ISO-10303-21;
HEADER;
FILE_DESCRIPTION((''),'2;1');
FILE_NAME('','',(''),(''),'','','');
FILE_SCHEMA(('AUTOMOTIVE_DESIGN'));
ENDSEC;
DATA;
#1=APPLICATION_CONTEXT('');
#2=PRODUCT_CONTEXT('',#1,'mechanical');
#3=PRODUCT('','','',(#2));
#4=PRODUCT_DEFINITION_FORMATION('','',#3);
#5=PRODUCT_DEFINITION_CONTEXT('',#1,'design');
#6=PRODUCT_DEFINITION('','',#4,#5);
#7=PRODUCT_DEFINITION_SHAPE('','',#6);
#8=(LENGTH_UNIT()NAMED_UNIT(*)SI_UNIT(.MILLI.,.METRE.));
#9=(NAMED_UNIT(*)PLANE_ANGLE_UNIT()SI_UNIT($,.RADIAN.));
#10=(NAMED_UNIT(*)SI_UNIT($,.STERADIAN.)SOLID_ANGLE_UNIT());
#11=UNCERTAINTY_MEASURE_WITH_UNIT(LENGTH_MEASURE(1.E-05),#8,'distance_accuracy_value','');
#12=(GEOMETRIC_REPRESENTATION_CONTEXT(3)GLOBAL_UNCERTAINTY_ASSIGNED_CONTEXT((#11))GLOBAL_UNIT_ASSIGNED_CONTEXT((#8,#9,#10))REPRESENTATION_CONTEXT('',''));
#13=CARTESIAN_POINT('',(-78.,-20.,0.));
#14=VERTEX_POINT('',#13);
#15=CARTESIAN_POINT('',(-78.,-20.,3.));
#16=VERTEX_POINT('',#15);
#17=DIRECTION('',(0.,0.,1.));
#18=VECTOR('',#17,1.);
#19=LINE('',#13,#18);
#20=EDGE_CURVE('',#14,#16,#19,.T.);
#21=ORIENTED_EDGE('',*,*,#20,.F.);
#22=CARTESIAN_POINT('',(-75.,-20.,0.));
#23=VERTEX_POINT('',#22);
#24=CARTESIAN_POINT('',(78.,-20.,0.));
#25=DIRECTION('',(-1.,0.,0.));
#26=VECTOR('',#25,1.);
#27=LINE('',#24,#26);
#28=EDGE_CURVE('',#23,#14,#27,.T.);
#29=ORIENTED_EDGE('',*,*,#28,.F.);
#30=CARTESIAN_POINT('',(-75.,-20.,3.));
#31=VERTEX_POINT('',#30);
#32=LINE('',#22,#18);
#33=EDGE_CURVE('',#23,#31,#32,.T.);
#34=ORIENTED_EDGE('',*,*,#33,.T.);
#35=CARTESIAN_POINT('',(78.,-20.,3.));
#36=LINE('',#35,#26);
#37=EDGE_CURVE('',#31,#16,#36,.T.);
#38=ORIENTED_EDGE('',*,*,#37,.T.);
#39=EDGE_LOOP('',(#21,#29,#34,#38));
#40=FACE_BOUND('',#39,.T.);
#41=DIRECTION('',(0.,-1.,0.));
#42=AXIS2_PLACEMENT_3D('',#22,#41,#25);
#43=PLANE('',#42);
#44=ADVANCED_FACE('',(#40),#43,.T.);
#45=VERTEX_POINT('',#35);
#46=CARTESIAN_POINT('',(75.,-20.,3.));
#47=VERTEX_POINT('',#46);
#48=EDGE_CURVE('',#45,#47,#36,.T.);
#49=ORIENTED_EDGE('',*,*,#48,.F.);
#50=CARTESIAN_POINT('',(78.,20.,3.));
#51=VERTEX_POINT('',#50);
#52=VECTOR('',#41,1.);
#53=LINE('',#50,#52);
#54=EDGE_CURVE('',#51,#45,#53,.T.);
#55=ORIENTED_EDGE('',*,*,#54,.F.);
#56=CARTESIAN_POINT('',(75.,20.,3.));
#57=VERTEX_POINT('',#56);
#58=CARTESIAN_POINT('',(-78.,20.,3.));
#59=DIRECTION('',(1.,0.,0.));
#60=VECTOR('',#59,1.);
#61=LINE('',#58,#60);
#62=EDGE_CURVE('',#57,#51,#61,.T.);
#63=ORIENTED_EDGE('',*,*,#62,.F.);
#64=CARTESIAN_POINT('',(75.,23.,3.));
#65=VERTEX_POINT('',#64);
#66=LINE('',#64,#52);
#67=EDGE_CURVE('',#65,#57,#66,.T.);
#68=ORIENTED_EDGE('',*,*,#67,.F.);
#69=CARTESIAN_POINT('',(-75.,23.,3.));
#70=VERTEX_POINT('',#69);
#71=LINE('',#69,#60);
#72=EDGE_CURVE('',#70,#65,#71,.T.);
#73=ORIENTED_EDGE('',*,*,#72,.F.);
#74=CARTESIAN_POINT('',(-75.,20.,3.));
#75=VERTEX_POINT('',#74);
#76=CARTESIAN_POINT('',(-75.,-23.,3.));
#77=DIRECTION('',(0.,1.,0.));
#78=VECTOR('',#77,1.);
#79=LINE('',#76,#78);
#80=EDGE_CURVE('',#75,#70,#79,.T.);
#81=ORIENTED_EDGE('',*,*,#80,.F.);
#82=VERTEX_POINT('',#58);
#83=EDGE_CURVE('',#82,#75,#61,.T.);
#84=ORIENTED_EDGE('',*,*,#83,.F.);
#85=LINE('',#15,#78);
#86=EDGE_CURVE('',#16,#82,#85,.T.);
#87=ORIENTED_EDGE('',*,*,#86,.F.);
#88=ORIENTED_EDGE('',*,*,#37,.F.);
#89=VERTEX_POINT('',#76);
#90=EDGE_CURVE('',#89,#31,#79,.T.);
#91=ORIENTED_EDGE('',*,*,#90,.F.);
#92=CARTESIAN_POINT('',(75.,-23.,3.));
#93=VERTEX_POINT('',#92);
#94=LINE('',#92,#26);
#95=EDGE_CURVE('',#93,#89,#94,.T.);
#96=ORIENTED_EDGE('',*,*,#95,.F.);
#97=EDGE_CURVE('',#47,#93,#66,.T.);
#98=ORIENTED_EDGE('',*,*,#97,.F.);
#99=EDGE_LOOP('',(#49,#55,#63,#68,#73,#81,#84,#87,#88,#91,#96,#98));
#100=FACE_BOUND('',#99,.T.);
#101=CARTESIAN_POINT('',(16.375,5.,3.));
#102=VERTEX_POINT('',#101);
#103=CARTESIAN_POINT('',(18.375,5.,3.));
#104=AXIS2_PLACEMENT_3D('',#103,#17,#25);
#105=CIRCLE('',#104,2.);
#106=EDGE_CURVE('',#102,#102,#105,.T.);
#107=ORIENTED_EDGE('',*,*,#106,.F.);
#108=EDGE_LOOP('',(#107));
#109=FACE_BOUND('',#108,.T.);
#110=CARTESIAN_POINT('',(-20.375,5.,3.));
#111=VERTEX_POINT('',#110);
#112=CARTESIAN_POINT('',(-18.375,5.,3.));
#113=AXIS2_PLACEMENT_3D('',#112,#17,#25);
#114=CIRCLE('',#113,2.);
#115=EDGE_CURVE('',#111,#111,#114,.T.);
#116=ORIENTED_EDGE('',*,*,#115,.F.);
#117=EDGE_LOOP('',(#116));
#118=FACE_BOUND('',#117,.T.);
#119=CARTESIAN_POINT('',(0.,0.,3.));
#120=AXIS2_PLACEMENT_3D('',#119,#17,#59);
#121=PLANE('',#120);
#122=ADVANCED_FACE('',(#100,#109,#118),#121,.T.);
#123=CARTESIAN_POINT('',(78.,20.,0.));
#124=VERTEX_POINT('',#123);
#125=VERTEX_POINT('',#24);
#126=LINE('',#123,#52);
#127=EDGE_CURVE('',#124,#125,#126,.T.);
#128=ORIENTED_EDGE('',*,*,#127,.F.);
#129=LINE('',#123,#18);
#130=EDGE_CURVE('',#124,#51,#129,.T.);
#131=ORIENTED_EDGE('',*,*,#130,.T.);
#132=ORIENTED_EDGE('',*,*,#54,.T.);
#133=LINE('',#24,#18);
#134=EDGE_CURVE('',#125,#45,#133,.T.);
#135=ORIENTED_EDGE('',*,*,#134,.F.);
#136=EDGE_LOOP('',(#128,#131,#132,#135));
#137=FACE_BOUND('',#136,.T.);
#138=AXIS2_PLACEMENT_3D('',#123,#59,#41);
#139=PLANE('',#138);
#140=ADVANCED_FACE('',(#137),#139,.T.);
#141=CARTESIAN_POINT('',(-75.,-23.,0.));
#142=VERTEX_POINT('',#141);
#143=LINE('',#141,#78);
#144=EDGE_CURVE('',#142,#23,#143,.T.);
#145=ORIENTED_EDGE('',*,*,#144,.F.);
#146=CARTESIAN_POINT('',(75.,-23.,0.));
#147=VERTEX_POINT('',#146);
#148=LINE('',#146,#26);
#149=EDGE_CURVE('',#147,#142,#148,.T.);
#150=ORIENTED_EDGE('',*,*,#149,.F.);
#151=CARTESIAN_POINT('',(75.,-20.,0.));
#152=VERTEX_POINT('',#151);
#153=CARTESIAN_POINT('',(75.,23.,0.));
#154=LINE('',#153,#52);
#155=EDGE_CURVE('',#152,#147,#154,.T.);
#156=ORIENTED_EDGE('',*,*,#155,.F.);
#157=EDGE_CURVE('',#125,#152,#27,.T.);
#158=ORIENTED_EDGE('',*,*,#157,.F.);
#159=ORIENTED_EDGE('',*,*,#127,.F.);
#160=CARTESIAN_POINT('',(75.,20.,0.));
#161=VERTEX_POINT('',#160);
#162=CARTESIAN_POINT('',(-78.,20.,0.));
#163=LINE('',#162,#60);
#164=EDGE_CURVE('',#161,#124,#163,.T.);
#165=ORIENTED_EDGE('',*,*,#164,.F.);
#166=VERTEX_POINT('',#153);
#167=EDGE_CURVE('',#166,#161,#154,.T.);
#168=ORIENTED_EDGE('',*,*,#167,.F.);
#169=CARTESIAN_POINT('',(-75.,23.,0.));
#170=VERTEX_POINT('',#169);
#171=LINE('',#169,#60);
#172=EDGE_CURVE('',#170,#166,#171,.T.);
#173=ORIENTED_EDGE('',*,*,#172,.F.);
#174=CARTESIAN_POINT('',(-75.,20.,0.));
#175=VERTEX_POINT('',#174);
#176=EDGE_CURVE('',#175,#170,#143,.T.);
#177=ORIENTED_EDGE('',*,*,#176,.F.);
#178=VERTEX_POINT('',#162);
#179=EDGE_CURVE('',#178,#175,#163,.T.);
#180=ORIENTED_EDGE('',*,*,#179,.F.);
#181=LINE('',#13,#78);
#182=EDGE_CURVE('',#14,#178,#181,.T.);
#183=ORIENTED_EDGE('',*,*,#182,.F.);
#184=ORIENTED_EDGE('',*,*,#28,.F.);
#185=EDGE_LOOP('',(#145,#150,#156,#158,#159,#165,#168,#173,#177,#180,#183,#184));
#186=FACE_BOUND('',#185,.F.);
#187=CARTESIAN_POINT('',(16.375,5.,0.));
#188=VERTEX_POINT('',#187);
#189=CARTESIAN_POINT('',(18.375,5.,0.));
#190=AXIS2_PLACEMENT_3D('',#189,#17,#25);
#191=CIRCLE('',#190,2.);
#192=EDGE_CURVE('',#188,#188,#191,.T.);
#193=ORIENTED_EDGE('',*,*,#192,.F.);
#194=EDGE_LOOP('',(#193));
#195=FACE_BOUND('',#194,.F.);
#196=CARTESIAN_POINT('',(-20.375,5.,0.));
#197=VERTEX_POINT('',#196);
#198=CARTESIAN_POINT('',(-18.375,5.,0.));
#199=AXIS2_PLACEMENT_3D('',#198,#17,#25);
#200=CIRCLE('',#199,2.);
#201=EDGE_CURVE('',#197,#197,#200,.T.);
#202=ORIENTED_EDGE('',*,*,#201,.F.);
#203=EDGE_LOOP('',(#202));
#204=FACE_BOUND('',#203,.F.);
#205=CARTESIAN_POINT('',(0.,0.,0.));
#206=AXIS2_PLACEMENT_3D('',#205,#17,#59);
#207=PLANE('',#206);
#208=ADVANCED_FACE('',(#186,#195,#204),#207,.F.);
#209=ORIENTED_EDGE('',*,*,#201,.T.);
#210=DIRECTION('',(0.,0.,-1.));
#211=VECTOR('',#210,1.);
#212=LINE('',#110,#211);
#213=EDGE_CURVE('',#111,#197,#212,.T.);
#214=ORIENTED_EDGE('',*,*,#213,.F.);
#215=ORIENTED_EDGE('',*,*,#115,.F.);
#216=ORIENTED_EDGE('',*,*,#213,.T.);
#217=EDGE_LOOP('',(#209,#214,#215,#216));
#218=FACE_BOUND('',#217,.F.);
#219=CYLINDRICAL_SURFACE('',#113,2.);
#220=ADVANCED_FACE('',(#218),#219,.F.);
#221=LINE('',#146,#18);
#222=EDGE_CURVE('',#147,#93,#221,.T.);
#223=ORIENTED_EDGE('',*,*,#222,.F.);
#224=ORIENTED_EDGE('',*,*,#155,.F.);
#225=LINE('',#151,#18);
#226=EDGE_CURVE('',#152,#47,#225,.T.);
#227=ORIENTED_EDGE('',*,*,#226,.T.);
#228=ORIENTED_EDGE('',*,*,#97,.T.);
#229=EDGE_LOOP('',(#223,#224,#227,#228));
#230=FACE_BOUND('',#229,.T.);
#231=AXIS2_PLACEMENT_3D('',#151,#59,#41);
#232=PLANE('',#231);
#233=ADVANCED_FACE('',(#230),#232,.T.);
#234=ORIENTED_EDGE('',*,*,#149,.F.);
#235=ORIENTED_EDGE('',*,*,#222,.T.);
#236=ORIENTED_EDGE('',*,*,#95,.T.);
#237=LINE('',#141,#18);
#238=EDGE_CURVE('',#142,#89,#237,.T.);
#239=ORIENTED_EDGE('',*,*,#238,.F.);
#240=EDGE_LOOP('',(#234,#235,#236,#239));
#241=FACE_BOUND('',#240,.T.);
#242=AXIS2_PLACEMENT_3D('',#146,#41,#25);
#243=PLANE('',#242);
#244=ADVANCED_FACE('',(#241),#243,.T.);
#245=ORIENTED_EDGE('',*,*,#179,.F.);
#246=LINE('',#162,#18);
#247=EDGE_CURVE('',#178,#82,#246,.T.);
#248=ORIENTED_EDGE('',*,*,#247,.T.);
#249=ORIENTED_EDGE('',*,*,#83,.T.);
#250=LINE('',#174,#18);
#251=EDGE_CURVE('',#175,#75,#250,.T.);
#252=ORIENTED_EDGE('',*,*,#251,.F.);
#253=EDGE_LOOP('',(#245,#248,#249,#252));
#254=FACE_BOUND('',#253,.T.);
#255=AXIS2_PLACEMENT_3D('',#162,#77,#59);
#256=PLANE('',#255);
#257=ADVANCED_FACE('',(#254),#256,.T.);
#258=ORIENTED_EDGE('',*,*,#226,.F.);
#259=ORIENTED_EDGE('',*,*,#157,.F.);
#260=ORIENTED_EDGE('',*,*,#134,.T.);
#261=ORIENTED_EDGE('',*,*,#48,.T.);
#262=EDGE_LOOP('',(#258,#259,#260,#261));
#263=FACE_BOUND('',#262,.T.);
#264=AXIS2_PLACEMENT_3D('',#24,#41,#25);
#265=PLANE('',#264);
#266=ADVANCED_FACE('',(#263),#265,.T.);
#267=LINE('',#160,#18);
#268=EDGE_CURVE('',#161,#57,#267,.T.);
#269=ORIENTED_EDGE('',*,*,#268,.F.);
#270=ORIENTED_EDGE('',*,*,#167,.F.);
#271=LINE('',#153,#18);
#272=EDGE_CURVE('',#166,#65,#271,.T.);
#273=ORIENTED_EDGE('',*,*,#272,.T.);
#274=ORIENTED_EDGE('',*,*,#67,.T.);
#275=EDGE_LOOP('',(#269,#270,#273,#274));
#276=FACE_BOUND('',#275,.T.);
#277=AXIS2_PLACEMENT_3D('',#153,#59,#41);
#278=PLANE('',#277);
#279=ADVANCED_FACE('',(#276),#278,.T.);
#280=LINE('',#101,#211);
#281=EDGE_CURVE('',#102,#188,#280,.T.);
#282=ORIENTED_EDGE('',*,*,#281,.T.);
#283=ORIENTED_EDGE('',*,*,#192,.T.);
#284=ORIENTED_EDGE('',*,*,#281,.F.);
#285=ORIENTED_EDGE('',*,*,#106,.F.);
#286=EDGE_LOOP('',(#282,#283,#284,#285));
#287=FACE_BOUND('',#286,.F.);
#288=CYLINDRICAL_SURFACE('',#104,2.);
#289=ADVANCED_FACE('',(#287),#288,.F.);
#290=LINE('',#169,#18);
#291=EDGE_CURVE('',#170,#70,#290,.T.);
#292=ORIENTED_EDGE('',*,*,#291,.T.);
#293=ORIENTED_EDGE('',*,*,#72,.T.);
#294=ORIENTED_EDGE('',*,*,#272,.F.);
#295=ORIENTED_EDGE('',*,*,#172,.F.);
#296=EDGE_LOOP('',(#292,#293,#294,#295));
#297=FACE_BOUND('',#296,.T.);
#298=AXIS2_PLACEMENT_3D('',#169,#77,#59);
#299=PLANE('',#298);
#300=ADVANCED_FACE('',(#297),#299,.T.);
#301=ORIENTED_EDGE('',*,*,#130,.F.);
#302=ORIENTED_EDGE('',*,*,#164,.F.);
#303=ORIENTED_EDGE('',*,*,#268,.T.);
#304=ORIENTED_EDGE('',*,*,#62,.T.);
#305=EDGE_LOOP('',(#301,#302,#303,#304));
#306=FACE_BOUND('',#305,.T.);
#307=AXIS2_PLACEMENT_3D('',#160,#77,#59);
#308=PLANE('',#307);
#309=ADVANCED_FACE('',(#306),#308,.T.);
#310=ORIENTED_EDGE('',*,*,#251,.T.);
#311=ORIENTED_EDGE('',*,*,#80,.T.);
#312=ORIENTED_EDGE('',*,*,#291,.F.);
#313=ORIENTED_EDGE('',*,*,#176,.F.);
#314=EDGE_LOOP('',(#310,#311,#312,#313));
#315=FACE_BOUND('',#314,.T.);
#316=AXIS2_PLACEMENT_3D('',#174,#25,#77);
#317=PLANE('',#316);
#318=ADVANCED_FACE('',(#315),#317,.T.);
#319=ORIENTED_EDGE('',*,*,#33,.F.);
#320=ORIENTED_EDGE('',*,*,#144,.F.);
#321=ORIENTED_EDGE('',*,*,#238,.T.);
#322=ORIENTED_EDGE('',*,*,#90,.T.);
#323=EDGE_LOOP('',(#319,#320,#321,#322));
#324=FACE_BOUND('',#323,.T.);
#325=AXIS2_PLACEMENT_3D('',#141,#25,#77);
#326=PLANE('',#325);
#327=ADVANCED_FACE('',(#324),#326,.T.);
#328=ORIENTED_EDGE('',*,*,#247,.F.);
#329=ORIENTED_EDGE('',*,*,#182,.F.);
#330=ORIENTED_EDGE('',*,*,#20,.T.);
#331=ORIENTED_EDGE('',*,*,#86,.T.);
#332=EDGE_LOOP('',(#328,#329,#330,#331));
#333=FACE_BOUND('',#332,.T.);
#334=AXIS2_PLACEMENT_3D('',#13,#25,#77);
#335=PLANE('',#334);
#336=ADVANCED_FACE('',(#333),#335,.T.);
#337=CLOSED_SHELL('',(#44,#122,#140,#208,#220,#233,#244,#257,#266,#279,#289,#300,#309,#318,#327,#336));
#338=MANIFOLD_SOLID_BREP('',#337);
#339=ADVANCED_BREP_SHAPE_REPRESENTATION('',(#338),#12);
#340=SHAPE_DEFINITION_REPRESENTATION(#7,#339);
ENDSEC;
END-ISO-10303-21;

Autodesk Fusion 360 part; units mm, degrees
sketch "Esquisse1" plane through (0, 0, 0) normal (0, 0, 1) x (1, 0, 0)
  line L0 (75, -23) -> (-75, -23)
  line L1 (-75, -23) -> (-75, 23)
  line L2 (-75, 23) -> (75, 23)
  line L3 (75, 23) -> (75, -23)
  line L4 (75, -23) -> (-75, 23) construction
  line L5 (-75, -23) -> (75, 23) construction
  line L6 (78, -20) -> (-78, -20)
  line L7 (-78, -20) -> (-78, 20)
  line L8 (-78, 20) -> (78, 20)
  line L9 (78, 20) -> (78, -20)
  line L10 (78, -20) -> (-78, 20) construction
  line L11 (-78, -20) -> (78, 20) construction
  dimension "d1" = 150
  dimension "d2" = 46
  dimension "d57" = 156
  dimension "d58" = 40
extrude "Extrusion1" add sketch "Esquisse1" along normal blind 3
sketch "Esquisse5" plane through (0, 0, 3) normal (0, 0, 1) x (-1, 0, 0)
  line L0 (-75, -23) -> (75, -23)
  line L1 (75, -23) -> (75, -20)
  line L2 (75, 23) -> (-75, 23)
  line L3 (-75, -20) -> (-75, -23)
  circle A0 centre (18.375, -5) radius 2
  circle A1 centre (-18.375, -5) radius 2
  line L4 (-78, -20) -> (-75, -20)
  line L5 (75, -20) -> (78, -20)
  line L6 (78, -20) -> (78, 20)
  line L7 (78, 20) -> (75, 20)
  line L8 (75, 20) -> (75, 23)
  line L9 (-75, 23) -> (-75, 20)
  line L10 (-75, 20) -> (-78, 20)
  line L11 (-78, 20) -> (-78, -20)
  dimension "d49" = 4
  dimension "d50" = 4
  dimension "d53" = 36.75
  dimension "d54" = 18.375
  dimension "d59" = 5
  dimension "d60" = 5
extrude "Extrusion6" cut sketch "Esquisse5" against normal blind 3 contours A0 | A1
equation "d2 = d58 + ( 2 * 3 ) * 1 mm"
equation "d54 = d53 / 2"
equation "d60 = d59"
